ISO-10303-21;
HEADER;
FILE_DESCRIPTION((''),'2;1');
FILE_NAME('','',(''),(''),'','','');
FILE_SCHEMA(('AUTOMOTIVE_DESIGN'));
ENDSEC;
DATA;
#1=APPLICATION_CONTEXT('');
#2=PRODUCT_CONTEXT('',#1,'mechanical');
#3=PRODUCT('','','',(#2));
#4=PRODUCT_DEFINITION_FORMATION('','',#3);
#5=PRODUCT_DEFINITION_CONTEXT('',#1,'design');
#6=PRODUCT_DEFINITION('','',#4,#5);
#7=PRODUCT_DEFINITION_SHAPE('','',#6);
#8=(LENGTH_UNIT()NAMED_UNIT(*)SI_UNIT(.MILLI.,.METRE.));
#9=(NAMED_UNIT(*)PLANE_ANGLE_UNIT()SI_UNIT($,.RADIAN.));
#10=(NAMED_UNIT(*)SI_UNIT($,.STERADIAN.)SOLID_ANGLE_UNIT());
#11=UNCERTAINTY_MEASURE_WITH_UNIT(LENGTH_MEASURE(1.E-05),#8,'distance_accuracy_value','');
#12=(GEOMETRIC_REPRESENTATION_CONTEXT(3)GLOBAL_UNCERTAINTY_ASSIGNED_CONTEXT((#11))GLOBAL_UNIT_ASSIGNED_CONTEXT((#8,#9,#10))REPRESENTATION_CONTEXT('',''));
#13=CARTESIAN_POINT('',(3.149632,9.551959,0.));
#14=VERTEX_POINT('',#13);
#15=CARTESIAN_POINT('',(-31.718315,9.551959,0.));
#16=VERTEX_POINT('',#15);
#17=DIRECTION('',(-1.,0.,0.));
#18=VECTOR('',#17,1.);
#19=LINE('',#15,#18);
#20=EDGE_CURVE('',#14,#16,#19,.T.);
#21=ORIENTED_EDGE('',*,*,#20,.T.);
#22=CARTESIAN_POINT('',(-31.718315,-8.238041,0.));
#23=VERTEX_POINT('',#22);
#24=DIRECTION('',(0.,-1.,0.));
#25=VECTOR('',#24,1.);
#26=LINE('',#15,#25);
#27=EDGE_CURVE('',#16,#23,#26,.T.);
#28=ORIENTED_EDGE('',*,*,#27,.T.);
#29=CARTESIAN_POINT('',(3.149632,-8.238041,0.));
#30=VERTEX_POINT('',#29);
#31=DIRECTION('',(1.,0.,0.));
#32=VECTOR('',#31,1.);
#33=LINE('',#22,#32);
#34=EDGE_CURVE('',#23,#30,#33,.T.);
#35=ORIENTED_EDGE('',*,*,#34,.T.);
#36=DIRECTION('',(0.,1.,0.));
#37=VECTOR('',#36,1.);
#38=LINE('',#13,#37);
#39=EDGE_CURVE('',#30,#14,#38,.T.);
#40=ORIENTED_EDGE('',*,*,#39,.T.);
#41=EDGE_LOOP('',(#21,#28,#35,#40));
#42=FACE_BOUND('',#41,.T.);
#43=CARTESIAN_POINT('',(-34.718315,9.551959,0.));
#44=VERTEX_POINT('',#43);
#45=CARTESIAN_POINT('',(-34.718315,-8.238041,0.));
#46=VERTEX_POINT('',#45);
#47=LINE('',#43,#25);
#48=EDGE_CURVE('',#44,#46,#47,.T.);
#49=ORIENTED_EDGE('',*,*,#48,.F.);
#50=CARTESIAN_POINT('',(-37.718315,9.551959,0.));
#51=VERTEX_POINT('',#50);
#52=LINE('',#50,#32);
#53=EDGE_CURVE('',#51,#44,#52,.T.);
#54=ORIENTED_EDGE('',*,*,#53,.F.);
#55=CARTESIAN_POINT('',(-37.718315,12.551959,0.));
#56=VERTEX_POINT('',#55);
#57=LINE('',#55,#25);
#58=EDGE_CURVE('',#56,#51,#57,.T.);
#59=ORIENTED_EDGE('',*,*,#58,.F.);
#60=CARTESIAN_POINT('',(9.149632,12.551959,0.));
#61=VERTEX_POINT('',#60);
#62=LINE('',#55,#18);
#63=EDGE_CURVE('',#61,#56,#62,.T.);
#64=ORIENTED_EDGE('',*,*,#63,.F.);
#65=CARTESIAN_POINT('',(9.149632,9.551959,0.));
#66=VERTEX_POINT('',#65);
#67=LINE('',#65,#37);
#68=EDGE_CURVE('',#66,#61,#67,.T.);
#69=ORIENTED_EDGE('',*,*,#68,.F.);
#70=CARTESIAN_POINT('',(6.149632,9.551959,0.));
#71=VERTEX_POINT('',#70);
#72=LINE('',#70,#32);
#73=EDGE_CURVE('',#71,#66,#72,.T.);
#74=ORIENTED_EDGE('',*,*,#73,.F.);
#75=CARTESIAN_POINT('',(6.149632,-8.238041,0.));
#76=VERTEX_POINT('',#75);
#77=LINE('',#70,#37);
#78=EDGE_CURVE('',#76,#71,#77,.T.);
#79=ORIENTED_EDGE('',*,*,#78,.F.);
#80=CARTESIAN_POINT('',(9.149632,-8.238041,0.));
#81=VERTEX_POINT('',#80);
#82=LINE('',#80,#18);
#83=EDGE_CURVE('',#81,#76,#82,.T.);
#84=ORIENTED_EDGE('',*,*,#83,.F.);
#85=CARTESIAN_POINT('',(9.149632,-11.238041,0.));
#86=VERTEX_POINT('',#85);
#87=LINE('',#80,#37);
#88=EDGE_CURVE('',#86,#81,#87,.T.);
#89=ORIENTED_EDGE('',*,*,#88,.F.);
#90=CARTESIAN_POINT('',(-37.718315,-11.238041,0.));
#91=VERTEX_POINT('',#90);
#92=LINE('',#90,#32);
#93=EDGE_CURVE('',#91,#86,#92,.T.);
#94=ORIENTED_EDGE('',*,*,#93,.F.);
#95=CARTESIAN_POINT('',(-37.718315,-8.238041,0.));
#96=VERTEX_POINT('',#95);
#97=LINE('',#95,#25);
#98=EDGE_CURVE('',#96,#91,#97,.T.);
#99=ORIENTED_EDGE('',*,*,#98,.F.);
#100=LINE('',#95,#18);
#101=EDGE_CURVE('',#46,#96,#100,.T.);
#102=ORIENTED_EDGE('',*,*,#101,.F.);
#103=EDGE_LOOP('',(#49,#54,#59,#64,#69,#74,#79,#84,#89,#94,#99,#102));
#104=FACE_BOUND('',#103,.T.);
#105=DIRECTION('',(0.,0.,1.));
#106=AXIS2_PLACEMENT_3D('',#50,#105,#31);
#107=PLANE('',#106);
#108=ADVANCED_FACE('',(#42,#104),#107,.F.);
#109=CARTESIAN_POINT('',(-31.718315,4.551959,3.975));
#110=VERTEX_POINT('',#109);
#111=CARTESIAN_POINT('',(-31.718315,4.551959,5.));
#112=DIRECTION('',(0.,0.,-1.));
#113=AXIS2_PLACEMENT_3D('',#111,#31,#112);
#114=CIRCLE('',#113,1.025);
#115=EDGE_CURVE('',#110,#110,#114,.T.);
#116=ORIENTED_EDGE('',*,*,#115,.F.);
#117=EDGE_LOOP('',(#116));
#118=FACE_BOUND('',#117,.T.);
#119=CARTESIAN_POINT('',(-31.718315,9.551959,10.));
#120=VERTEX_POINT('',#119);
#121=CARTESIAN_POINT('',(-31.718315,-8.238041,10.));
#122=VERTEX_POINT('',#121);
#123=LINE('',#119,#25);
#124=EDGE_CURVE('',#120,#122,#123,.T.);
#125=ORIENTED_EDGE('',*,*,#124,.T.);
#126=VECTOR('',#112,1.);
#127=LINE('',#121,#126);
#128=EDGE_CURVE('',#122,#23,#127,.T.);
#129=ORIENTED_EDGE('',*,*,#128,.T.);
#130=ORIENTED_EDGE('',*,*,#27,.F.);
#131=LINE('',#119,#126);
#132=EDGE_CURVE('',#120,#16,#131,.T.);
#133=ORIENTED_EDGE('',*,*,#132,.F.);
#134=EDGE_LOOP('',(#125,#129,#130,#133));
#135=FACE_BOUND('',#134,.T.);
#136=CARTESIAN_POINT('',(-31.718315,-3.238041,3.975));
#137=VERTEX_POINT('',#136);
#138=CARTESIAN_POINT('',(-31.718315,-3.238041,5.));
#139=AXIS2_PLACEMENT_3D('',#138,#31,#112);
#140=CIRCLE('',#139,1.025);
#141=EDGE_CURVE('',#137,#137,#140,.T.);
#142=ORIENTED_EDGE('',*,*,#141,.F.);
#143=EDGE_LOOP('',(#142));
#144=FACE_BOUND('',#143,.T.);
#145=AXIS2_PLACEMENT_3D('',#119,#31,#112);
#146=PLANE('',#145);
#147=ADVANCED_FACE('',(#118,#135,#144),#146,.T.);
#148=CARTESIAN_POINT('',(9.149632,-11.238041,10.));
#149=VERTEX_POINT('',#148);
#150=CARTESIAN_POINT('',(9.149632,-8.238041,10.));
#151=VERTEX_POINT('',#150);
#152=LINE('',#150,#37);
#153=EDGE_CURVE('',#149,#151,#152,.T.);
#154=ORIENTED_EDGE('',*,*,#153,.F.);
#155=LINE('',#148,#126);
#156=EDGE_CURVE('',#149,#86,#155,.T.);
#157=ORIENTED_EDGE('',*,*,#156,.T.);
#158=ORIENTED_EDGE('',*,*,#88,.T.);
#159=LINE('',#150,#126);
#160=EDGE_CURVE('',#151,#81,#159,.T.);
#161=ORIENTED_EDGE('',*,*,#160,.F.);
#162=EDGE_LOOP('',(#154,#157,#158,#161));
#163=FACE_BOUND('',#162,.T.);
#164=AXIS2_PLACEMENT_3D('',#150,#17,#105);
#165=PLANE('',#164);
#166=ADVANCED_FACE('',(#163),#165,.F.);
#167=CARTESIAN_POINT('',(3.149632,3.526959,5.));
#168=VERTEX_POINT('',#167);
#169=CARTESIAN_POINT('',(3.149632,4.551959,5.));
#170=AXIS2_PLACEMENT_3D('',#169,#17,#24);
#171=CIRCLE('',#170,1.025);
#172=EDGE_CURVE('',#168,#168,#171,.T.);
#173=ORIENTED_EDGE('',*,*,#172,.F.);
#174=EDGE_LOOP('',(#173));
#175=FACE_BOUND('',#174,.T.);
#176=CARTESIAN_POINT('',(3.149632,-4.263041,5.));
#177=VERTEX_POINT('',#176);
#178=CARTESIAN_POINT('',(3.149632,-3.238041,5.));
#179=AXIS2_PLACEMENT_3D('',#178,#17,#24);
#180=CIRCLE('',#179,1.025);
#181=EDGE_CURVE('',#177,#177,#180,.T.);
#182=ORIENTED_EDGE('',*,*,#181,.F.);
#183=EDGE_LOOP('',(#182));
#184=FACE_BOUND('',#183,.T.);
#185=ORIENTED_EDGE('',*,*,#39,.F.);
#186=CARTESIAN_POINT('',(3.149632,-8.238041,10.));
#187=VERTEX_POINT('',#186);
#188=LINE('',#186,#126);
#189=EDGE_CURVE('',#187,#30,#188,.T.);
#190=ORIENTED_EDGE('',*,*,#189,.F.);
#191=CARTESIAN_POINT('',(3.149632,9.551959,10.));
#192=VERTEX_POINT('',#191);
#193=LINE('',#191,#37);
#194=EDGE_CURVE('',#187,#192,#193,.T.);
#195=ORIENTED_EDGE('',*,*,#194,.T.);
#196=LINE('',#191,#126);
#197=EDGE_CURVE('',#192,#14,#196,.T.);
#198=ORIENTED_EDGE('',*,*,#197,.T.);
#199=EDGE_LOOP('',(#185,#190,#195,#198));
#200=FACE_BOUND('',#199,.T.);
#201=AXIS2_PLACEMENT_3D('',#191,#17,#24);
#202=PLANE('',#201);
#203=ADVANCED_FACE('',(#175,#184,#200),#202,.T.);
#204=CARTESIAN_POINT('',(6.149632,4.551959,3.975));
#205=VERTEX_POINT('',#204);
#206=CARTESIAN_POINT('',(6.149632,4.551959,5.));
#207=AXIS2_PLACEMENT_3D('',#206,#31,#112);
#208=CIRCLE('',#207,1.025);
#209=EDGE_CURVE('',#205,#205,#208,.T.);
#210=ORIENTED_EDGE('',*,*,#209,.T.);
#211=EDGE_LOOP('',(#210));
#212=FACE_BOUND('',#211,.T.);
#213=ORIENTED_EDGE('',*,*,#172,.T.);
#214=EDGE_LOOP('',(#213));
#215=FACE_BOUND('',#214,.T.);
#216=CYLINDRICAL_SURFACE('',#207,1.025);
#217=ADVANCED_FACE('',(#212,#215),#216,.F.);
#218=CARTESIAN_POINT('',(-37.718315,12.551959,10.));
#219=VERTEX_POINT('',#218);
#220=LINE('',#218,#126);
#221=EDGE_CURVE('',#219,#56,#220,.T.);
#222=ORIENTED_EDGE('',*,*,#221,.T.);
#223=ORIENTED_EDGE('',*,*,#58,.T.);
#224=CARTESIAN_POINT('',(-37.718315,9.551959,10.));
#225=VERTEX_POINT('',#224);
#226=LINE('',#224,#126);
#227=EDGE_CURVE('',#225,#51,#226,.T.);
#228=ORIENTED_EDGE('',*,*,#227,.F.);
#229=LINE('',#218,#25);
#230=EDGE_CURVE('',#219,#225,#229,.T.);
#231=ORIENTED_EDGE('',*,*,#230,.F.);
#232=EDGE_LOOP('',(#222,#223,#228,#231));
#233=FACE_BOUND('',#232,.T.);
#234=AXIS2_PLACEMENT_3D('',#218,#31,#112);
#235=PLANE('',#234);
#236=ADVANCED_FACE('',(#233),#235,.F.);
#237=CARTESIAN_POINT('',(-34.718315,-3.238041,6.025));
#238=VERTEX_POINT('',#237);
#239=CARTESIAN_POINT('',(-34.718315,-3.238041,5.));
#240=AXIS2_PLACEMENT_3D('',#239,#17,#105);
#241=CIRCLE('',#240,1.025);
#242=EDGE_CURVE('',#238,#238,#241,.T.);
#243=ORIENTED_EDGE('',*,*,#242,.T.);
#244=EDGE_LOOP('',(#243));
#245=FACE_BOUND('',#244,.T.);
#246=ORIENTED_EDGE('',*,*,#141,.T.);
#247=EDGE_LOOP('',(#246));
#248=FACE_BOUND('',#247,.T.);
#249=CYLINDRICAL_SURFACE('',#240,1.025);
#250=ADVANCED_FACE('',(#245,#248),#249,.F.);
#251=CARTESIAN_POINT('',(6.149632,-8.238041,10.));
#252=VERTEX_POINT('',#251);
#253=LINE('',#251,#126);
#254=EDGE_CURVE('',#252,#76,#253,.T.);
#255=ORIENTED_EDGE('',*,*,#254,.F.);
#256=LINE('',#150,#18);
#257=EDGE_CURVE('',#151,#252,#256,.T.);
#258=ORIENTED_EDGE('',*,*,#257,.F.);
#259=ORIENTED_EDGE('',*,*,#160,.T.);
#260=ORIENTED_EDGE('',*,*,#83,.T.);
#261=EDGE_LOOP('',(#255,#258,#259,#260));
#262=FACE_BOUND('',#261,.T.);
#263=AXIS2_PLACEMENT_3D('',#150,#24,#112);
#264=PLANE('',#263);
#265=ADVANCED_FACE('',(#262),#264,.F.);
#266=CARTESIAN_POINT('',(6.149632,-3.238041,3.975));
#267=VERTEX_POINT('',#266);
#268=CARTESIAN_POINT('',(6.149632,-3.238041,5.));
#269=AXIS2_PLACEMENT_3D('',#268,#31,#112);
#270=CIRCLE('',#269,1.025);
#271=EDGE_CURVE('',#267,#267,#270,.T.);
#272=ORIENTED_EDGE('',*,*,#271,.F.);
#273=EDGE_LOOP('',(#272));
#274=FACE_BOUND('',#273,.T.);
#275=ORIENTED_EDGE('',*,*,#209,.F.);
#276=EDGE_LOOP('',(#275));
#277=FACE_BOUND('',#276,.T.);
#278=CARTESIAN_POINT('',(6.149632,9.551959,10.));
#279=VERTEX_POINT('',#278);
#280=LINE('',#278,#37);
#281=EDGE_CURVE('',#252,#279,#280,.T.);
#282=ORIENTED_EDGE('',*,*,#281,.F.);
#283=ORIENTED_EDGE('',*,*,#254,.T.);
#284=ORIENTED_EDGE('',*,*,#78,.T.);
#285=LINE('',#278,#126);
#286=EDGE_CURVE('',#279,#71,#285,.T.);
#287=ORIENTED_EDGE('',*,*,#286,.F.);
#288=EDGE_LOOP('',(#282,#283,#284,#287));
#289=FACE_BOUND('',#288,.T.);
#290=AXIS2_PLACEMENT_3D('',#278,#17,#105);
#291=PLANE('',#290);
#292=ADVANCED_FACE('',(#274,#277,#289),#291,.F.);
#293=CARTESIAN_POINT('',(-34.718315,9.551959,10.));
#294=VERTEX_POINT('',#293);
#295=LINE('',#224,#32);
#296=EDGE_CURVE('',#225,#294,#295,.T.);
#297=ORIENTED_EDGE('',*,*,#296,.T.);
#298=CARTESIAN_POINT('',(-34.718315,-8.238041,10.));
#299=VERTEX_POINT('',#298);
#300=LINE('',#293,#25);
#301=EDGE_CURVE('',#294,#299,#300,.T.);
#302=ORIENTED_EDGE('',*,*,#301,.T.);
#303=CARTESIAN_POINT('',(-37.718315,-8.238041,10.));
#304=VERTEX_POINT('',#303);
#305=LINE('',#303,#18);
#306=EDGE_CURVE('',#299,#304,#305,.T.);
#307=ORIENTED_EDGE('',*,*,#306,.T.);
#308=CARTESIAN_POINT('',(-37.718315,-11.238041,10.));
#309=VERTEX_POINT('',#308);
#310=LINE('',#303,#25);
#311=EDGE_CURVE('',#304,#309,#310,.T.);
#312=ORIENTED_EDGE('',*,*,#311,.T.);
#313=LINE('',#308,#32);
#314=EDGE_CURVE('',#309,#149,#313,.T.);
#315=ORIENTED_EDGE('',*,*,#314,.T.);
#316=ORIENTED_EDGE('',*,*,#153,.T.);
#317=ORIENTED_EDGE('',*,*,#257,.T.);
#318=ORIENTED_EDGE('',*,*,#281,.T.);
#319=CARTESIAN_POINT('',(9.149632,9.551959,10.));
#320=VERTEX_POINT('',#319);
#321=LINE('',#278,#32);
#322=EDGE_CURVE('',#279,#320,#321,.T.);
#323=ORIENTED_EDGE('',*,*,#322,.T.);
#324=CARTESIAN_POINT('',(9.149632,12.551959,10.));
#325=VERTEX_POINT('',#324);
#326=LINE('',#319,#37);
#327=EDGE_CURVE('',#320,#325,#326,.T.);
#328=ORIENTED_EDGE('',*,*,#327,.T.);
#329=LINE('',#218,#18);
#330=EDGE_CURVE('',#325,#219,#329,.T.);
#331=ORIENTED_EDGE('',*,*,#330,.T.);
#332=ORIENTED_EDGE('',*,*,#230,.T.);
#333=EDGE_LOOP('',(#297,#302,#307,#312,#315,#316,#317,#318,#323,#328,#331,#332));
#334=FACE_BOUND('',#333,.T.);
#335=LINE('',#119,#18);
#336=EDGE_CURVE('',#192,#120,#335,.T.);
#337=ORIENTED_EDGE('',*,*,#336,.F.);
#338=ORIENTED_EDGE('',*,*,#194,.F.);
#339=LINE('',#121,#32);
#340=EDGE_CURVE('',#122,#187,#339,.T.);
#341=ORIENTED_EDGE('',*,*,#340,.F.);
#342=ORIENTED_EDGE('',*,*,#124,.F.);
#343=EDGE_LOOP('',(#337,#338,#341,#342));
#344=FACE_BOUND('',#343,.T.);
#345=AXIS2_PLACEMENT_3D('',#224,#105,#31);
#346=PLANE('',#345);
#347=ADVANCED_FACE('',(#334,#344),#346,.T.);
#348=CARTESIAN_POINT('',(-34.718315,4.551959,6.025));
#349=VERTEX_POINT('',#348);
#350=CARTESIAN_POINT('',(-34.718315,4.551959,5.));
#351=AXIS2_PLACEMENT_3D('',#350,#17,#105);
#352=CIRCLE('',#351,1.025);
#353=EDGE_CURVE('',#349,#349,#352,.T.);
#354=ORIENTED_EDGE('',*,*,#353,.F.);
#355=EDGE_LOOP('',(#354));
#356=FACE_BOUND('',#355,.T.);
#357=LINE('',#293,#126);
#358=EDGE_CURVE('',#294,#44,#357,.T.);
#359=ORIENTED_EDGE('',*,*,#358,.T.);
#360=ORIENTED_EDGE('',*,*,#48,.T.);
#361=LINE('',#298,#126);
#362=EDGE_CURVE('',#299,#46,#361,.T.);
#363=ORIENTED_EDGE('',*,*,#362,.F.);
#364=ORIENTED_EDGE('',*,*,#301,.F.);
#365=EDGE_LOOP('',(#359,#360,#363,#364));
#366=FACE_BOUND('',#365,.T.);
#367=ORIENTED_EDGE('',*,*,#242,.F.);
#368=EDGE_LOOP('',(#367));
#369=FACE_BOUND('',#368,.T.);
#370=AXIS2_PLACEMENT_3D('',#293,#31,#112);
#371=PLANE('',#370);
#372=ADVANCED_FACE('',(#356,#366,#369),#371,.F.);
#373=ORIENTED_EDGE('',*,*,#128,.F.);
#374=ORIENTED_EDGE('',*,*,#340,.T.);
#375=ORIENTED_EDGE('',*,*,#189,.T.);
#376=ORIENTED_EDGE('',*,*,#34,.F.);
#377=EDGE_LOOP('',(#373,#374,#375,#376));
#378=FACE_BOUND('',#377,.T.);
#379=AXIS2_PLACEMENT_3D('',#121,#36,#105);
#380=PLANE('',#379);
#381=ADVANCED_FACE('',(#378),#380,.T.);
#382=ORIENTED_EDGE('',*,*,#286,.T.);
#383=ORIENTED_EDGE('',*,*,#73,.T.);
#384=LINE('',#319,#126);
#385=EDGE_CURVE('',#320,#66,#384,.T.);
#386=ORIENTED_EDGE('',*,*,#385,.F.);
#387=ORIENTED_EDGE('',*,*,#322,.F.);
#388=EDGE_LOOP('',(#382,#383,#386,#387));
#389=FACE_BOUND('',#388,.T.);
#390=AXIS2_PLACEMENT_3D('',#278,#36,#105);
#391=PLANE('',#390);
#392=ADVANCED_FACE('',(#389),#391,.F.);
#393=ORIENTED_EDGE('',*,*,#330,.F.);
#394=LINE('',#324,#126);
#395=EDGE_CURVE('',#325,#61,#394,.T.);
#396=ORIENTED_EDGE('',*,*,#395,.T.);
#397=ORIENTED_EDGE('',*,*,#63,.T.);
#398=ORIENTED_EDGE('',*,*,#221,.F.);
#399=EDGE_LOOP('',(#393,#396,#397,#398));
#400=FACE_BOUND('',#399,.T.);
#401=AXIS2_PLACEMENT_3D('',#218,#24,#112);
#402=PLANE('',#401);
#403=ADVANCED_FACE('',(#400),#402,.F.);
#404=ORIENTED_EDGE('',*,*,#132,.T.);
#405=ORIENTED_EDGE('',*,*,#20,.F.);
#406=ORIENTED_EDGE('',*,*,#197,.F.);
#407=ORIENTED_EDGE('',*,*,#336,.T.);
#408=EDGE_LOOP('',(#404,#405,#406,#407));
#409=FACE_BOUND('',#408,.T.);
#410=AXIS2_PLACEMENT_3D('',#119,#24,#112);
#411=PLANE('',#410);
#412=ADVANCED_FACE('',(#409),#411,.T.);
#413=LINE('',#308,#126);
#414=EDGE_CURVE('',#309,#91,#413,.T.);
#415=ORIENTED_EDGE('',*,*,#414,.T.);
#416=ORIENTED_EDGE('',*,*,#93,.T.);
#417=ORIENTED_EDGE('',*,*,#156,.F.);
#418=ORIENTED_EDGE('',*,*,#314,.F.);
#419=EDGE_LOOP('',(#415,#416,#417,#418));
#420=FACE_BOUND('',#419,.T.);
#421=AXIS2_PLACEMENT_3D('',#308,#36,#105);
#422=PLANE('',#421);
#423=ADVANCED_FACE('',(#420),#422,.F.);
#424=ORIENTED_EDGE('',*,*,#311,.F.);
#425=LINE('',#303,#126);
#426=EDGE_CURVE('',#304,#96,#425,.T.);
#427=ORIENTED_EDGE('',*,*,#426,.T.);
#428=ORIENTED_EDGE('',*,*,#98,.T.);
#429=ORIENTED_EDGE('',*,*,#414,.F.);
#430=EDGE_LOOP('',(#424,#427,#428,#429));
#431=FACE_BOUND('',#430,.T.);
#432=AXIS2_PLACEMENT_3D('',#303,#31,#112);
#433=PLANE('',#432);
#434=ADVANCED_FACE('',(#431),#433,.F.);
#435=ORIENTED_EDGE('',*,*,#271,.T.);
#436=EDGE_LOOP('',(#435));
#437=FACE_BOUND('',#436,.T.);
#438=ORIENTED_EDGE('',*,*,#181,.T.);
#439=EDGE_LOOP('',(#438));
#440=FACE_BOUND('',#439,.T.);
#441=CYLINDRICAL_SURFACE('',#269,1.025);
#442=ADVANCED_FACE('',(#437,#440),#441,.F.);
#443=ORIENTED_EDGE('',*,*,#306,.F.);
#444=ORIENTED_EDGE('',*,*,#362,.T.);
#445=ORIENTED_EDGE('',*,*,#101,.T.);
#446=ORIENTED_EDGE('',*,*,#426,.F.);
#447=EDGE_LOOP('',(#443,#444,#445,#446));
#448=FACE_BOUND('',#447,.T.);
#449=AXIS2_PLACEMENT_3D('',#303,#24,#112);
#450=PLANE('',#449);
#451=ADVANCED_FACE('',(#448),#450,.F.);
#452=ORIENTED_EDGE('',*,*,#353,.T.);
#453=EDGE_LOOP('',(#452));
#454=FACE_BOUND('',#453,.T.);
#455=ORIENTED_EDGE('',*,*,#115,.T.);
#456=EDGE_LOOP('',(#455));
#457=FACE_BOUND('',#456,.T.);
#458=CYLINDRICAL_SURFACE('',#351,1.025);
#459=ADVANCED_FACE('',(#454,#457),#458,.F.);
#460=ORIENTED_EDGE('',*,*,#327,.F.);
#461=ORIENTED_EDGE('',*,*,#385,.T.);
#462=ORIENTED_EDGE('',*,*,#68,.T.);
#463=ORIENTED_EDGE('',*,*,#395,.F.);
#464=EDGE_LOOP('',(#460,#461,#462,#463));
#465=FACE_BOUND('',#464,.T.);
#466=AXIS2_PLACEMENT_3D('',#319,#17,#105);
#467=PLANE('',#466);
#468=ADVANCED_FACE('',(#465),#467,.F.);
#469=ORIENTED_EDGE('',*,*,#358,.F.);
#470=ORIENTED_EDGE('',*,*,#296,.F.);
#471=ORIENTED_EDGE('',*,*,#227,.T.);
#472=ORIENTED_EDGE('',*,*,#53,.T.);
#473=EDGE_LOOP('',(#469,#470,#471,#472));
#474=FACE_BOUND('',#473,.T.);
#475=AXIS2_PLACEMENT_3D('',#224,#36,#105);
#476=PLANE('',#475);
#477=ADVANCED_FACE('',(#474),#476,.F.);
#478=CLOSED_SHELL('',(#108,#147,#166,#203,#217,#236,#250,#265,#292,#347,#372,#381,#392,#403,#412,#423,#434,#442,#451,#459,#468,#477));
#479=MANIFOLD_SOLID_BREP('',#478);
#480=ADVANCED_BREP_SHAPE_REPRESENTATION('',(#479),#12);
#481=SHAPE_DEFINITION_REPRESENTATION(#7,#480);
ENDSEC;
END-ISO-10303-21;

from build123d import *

# Parameters (mm, degrees)
SKETCH1_W                    = 34.867947861
SKETCH1_H                    = 17.79
BOSS_EXTRUDE1_DEPTH          = 10
M2_5X0_45_TAPPED_HOLE2_D     = 2.05
M2_5X0_45_TAPPED_HOLE2_DEPTH = 7.25
M2_5X0_45_TAPPED_HOLE2_TIP   = 0.615882135
M2_5X0_45_TAPPED_HOLE1_D     = 2.05
M2_5X0_45_TAPPED_HOLE1_DEPTH = 7.25
M2_5X0_45_TAPPED_HOLE1_TIP   = 0.615882135


with BuildPart() as part:
    # Sketch1 → Boss-Extrude1 (new body)
    with BuildSketch(Plane.XY):
        Polygon((6.149632379, 9.551958914), (9.149632379, 9.551958914), (9.149632379, 12.551958914), (-37.718315482, 12.551958914), (-37.718315482, 9.551958914), (-34.718315482, 9.551958914), (-34.718315482, -8.238041086), (-37.718315482, -8.238041086), (-37.718315482, -11.238041086), (9.149632379, -11.238041086), (9.149632379, -8.238041086), (6.149632379, -8.238041086), align=None)
        with Locations((-14.284341552, 0.656958914)):
            Rectangle(SKETCH1_W, SKETCH1_H, mode=Mode.SUBTRACT)
    extrude(amount=BOSS_EXTRUDE1_DEPTH)

    # M2.5x0.45 Tapped Hole2
    with Locations(Plane.ZY.offset(34.718315482)):
        with Locations((5, 4.551958914), (5, -3.238041086)):
            Hole(M2_5X0_45_TAPPED_HOLE2_D / 2, depth=M2_5X0_45_TAPPED_HOLE2_DEPTH)
            with Locations((0, 0, -(M2_5X0_45_TAPPED_HOLE2_DEPTH + M2_5X0_45_TAPPED_HOLE2_TIP / 2))):  # 118° drill point
                Cone(0, M2_5X0_45_TAPPED_HOLE2_D / 2, M2_5X0_45_TAPPED_HOLE2_TIP, mode=Mode.SUBTRACT)

    # M2.5x0.45 Tapped Hole1
    with Locations(Plane(origin=(6.149632379, 2.476678441, 1.606875776), x_dir=(0, 0, -1), z_dir=(1, 0, 0))):
        with Locations((-3.393124224, 2.075280473), (-3.393124224, -5.714719527)):
            Hole(M2_5X0_45_TAPPED_HOLE1_D / 2, depth=M2_5X0_45_TAPPED_HOLE1_DEPTH)
            with Locations((0, 0, -(M2_5X0_45_TAPPED_HOLE1_DEPTH + M2_5X0_45_TAPPED_HOLE1_TIP / 2))):  # 118° drill point
                Cone(0, M2_5X0_45_TAPPED_HOLE1_D / 2, M2_5X0_45_TAPPED_HOLE1_TIP, mode=Mode.SUBTRACT)


solid = part.part
